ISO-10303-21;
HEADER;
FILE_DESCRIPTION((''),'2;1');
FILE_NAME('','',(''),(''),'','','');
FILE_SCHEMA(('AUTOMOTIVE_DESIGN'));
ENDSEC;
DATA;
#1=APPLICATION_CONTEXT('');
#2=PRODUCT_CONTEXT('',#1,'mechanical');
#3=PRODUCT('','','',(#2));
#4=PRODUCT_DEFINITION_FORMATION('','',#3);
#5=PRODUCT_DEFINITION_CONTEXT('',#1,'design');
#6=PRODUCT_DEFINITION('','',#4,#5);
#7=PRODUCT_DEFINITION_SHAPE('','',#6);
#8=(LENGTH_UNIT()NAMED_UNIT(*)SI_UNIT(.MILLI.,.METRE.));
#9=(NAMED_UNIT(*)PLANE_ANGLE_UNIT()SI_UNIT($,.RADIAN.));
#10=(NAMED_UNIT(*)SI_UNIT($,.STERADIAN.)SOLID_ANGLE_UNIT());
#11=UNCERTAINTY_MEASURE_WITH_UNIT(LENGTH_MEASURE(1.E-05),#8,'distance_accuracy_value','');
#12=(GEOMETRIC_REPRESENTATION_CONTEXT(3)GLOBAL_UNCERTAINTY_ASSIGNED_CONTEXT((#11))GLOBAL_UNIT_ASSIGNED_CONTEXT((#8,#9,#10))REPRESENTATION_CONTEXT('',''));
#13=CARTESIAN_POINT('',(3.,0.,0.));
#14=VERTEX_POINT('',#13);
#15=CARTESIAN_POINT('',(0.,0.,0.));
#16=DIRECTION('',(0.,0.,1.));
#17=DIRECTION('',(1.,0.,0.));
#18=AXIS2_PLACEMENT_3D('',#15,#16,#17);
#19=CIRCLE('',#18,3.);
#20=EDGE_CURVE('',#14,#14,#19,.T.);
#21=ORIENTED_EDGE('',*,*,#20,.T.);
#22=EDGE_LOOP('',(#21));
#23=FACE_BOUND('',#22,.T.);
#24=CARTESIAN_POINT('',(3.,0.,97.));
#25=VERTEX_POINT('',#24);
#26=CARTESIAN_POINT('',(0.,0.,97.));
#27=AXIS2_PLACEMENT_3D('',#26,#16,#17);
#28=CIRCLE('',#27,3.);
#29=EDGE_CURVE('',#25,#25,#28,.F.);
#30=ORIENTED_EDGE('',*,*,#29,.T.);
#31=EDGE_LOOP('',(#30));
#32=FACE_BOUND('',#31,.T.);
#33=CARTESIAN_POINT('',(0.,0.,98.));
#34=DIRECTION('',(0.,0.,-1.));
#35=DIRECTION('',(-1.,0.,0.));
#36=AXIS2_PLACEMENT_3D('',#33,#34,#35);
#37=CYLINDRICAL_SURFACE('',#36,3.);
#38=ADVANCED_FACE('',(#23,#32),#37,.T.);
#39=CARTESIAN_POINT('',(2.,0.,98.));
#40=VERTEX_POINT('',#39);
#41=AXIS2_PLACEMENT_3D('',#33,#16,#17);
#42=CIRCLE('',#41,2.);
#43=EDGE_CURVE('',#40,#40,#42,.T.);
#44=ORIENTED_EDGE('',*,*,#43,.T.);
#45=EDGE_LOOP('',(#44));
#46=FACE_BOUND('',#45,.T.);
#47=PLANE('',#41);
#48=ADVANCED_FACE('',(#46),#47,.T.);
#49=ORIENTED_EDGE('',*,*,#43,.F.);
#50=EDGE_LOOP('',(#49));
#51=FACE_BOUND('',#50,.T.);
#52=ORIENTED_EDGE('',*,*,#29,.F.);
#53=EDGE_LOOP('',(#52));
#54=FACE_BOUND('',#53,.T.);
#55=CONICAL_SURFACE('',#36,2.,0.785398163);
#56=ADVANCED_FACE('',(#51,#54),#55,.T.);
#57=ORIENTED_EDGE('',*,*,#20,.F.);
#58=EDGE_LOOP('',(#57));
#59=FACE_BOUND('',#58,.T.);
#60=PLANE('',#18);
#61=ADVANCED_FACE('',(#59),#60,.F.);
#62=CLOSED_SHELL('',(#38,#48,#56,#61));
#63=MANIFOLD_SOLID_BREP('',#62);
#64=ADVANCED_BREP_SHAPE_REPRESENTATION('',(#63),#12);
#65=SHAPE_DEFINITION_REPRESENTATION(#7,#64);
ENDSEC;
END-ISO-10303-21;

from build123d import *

# Parameters (mm, degrees)
ESQUISSE1_R        = 3
BOSS_EXTRU_1_DEPTH = 98
CHANFREIN1_SIZE    = 1


with BuildPart() as part:
    # Esquisse1 → Boss.-Extru.1 (new body)
    with BuildSketch(Plane.XY):
        Circle(ESQUISSE1_R)
    extrude(amount=BOSS_EXTRU_1_DEPTH)

    # Chanfrein1
    chanfrein1_edges = [part.edges().sort_by_distance(p)[0] for p in [
        (-3, 0, 98),
    ]]
    chamfer(chanfrein1_edges, length=CHANFREIN1_SIZE)


solid = part.part
